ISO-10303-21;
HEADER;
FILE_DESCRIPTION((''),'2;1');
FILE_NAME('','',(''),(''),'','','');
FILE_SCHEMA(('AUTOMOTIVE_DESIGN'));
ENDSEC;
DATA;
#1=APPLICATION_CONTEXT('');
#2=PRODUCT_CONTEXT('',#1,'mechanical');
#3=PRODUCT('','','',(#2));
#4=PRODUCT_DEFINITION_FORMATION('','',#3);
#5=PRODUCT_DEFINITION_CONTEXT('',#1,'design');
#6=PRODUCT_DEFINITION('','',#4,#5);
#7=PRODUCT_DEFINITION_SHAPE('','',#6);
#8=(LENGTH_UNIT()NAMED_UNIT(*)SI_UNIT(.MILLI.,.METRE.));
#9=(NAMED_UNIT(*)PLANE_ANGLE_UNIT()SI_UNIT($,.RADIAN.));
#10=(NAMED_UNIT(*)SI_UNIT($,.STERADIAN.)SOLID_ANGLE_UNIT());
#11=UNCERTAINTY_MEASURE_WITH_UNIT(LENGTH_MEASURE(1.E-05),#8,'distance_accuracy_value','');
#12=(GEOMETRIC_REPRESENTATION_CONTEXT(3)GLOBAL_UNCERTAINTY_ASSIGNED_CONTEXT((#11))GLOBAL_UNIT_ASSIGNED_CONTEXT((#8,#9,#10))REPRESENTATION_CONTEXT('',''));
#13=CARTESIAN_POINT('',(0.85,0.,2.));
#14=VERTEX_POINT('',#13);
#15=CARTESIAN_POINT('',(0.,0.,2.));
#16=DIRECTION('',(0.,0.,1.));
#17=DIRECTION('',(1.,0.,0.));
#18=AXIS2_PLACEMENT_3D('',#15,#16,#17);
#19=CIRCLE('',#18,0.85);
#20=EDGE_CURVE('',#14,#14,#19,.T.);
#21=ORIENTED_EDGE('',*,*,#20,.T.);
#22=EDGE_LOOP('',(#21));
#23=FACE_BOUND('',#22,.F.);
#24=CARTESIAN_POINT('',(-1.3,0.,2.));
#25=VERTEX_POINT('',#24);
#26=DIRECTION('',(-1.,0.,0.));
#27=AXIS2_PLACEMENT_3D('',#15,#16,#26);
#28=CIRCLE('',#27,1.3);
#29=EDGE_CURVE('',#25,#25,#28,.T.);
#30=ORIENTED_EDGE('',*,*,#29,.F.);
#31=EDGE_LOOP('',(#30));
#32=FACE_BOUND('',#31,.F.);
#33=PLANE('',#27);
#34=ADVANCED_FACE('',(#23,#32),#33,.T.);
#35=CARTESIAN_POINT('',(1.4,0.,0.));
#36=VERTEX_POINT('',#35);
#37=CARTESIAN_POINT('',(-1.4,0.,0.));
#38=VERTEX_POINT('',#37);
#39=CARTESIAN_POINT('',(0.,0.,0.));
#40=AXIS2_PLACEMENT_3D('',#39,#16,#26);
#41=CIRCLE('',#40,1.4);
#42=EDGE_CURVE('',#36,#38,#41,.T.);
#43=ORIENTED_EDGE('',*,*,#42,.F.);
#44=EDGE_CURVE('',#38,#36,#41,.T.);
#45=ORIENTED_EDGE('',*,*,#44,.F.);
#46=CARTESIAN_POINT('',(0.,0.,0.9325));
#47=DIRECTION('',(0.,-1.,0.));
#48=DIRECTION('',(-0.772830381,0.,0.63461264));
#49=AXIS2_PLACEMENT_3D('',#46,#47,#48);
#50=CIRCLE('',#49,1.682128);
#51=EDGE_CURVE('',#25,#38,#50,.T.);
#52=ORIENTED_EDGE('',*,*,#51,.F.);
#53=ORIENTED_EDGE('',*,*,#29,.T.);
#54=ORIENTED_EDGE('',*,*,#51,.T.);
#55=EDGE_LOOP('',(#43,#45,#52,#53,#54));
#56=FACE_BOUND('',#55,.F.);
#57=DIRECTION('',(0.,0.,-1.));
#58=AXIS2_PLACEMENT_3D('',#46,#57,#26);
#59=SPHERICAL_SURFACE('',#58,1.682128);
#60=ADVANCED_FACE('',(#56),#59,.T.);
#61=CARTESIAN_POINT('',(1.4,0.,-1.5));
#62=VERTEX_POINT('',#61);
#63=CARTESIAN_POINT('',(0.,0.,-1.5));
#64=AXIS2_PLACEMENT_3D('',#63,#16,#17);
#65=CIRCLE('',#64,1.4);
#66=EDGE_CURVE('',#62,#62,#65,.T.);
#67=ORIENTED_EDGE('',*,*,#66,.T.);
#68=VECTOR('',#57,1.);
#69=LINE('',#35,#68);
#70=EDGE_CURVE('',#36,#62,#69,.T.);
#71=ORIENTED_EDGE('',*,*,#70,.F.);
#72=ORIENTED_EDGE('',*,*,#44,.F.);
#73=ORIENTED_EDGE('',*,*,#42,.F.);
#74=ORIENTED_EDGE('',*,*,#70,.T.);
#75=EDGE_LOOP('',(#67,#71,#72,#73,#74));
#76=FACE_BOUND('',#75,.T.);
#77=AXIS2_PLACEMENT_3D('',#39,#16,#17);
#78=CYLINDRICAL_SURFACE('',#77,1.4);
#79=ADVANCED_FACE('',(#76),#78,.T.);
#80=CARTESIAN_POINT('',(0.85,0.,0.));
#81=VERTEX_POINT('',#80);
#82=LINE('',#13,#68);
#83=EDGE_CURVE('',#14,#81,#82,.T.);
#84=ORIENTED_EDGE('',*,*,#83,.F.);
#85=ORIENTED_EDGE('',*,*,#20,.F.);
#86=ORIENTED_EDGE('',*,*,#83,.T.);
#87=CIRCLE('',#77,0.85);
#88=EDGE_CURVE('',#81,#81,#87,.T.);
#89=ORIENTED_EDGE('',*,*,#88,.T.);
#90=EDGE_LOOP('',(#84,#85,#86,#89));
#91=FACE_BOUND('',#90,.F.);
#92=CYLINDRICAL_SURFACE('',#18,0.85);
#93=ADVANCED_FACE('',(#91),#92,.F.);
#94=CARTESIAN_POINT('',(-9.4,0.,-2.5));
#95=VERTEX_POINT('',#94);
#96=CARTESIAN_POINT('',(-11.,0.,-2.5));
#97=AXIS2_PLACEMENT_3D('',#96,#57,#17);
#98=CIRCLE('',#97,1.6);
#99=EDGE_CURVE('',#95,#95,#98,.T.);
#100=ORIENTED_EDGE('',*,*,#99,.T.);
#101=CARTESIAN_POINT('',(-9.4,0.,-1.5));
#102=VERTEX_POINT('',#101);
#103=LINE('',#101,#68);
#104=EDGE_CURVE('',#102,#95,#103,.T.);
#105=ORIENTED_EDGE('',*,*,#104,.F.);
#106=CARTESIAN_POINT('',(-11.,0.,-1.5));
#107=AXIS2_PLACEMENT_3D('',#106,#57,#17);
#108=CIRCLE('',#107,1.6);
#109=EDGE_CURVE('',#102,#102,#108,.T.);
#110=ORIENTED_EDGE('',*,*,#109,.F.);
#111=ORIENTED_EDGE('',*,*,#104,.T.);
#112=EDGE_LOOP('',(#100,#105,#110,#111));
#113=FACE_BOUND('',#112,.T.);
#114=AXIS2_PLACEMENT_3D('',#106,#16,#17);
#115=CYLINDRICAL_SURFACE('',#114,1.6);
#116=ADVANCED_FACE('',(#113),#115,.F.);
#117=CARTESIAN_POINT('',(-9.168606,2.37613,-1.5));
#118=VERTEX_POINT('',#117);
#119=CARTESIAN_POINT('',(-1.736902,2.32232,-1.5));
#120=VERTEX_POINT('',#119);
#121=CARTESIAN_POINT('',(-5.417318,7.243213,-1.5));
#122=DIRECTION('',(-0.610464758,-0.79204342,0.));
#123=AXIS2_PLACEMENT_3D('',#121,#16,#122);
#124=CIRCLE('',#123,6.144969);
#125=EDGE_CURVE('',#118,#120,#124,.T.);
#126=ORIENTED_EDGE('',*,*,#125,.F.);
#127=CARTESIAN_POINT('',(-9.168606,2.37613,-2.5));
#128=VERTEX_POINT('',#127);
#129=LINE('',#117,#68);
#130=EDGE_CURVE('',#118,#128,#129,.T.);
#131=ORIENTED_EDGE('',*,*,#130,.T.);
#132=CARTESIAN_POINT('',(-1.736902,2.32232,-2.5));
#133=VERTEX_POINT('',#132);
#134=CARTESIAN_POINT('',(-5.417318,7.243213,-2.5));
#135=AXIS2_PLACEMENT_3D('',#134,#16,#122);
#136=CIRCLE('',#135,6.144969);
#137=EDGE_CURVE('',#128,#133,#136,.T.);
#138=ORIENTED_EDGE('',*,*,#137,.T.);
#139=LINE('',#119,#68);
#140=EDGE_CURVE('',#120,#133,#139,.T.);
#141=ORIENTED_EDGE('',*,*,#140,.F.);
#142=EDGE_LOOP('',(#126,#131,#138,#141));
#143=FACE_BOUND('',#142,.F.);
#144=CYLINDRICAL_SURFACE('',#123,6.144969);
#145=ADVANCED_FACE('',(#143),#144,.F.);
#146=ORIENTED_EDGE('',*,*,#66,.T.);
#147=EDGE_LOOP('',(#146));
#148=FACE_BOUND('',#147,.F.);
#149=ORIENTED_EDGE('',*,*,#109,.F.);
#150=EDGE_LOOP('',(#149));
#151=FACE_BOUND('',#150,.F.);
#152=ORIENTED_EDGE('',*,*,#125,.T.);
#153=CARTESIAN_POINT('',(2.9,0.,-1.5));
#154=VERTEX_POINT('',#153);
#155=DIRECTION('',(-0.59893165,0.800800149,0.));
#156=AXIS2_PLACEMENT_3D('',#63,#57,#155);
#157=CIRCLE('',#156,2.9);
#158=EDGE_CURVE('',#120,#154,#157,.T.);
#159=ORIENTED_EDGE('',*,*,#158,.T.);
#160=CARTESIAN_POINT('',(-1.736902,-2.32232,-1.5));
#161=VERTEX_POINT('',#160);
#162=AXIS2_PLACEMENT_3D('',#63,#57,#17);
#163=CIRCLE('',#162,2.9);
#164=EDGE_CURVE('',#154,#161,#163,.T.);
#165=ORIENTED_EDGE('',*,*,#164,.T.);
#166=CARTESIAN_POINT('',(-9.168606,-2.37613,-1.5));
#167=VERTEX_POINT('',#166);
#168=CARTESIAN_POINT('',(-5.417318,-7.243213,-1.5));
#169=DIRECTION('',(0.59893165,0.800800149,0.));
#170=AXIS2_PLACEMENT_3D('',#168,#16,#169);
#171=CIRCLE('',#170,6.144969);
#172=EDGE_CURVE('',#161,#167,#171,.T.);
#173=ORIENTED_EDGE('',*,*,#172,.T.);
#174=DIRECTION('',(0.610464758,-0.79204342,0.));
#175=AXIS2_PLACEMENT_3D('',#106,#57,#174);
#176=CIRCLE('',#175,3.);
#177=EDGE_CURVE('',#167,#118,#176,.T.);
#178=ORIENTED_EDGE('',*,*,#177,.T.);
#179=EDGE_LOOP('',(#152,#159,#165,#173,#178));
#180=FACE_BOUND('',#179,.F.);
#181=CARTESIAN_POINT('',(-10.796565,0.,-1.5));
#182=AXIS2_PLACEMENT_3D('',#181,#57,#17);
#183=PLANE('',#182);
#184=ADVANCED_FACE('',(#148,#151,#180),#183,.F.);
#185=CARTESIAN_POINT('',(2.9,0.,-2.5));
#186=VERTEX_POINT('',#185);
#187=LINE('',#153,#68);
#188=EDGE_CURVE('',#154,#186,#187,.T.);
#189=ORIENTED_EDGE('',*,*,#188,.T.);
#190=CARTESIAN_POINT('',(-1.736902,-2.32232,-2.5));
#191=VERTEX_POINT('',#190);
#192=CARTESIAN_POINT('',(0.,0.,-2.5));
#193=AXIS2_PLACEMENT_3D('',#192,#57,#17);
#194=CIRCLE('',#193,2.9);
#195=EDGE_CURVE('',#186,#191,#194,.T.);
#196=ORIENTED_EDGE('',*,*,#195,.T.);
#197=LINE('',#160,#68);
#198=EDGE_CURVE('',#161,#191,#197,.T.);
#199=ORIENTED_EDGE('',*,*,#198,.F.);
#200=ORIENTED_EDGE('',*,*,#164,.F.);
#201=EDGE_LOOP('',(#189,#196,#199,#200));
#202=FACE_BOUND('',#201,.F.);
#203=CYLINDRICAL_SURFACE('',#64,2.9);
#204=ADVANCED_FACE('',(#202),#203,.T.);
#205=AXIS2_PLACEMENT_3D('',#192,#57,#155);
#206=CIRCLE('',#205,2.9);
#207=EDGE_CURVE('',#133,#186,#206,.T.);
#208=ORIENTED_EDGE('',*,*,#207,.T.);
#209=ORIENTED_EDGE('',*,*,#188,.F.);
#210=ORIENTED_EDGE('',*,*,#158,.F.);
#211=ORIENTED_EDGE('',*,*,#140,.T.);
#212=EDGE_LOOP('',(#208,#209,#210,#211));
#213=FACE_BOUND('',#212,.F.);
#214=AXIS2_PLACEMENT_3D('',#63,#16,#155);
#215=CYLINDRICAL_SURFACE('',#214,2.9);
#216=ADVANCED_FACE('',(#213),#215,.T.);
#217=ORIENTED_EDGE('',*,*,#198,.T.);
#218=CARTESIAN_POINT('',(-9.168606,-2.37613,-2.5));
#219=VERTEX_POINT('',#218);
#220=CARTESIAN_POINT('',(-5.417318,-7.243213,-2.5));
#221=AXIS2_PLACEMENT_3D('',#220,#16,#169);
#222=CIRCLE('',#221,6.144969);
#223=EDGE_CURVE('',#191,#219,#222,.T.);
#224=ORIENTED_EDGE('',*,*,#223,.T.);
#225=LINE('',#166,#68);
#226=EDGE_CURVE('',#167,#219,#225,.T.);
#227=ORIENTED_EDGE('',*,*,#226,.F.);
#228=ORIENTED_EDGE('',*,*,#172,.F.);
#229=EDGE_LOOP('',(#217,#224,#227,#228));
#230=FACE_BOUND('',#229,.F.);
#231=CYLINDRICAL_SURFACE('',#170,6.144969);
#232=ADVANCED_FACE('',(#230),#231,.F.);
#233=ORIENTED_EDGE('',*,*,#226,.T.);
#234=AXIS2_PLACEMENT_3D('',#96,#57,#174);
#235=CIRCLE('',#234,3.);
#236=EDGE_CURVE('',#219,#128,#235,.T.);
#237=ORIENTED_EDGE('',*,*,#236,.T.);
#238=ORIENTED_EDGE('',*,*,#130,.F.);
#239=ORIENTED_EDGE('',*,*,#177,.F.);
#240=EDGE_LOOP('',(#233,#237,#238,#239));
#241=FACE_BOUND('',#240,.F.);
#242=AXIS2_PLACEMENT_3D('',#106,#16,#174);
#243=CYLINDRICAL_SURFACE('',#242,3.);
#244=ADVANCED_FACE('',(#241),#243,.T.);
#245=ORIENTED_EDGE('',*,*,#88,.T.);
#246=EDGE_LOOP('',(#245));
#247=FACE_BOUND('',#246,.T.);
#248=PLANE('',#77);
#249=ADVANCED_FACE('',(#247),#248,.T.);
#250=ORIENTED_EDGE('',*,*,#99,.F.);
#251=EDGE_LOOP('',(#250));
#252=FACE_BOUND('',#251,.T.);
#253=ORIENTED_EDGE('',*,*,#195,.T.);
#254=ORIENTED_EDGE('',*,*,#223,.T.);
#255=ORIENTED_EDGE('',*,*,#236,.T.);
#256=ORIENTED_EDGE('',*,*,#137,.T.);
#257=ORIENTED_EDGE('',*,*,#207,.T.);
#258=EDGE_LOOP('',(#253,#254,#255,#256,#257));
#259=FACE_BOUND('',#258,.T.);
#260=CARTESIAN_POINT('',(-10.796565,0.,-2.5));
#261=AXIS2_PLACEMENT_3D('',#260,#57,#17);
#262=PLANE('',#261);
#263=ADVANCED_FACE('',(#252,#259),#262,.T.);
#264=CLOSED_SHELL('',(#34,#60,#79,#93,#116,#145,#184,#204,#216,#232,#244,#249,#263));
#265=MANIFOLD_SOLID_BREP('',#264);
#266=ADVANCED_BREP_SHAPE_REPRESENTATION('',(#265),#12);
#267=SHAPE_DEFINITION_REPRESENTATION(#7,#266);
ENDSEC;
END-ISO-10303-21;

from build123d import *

# Parameters (mm, degrees)
F0_R     = 1.4
F3_DEPTH = 1.5
F4_R     = 1.6
F4_R_2   = 1.4
F5_DEPTH = 1
F6_R     = 0.85
F7_DEPTH = 2


with BuildPart() as f2:
    # F1 (on Front) → F2 (revolve)
    with BuildSketch(Plane.XZ):
        with BuildLine():
            Line((-1.4, 0), (0, 0))
            Line((0, 0), (0, 2))
            Line((0, 2), (-1.3, 2))
            ThreePointArc((-1.3, 2), (-1.6800297616, 1.0165014881), (-1.4, 0))
        make_face()
    revolve(axis=Axis((0, 0, 1), (0, 0, 1)))

    # F0 (on Top) → F3 (join)
    with BuildSketch(Plane.XY):
        Circle(F0_R)
    extrude(amount=-F3_DEPTH)

    # F4 (on face) → F5 (join)
    with BuildSketch(Plane(origin=(0, 0, -1.5), x_dir=(1, 0, 0), z_dir=(0, 0, -1))):
        with BuildLine():
            ThreePointArc((-8, 0), (-8.3079577623, 1.323974543), (-9.168605727, 2.3761302609))
            ThreePointArc((-9.168605727, 2.3761302609), (-14, 0), (-9.168605727, -2.3761302609))
            ThreePointArc((-9.168605727, -2.3761302609), (-8.3079577623, -1.323974543), (-8, 0))
        make_face()
        with Locations((-11, 0)):
            Circle(F4_R, mode=Mode.SUBTRACT)
        with BuildLine():
            ThreePointArc((-1.7369017855, -2.3223204317), (1.2986502266, -2.592972732), (2.9, 0))
            ThreePointArc((2.9, 0), (1.2986502266, 2.592972732), (-1.7369017855, 2.3223204317))
            ThreePointArc((-1.7369017855, 2.3223204317), (-2.9, 0), (-1.7369017855, -2.3223204317))
        make_face()
        Circle(F4_R_2, mode=Mode.SUBTRACT)
        with BuildLine():
            ThreePointArc((-1.7369017855, -2.3223204317), (-2.9, 0), (-1.7369017855, 2.3223204317))
            ThreePointArc((-1.7369017855, 2.3223204317), (-5.4618104216, 1.0984045098), (-9.168605727, 2.3761302609))
            ThreePointArc((-9.168605727, 2.3761302609), (-8.3079577623, 1.323974543), (-8, 0))
            ThreePointArc((-8, 0), (-8.3079577623, -1.323974543), (-9.168605727, -2.3761302609))
            ThreePointArc((-9.168605727, -2.3761302609), (-5.4618104216, -1.0984045098), (-1.7369017855, -2.3223204317))
        make_face()
        Circle(F4_R_2)
    extrude(amount=F5_DEPTH)

    # F6 (on face) → F7 (cut)
    with BuildSketch(Plane.XY.offset(2)):
        Circle(F6_R)
    extrude(amount=-F7_DEPTH, mode=Mode.SUBTRACT)


solid = f2.part
